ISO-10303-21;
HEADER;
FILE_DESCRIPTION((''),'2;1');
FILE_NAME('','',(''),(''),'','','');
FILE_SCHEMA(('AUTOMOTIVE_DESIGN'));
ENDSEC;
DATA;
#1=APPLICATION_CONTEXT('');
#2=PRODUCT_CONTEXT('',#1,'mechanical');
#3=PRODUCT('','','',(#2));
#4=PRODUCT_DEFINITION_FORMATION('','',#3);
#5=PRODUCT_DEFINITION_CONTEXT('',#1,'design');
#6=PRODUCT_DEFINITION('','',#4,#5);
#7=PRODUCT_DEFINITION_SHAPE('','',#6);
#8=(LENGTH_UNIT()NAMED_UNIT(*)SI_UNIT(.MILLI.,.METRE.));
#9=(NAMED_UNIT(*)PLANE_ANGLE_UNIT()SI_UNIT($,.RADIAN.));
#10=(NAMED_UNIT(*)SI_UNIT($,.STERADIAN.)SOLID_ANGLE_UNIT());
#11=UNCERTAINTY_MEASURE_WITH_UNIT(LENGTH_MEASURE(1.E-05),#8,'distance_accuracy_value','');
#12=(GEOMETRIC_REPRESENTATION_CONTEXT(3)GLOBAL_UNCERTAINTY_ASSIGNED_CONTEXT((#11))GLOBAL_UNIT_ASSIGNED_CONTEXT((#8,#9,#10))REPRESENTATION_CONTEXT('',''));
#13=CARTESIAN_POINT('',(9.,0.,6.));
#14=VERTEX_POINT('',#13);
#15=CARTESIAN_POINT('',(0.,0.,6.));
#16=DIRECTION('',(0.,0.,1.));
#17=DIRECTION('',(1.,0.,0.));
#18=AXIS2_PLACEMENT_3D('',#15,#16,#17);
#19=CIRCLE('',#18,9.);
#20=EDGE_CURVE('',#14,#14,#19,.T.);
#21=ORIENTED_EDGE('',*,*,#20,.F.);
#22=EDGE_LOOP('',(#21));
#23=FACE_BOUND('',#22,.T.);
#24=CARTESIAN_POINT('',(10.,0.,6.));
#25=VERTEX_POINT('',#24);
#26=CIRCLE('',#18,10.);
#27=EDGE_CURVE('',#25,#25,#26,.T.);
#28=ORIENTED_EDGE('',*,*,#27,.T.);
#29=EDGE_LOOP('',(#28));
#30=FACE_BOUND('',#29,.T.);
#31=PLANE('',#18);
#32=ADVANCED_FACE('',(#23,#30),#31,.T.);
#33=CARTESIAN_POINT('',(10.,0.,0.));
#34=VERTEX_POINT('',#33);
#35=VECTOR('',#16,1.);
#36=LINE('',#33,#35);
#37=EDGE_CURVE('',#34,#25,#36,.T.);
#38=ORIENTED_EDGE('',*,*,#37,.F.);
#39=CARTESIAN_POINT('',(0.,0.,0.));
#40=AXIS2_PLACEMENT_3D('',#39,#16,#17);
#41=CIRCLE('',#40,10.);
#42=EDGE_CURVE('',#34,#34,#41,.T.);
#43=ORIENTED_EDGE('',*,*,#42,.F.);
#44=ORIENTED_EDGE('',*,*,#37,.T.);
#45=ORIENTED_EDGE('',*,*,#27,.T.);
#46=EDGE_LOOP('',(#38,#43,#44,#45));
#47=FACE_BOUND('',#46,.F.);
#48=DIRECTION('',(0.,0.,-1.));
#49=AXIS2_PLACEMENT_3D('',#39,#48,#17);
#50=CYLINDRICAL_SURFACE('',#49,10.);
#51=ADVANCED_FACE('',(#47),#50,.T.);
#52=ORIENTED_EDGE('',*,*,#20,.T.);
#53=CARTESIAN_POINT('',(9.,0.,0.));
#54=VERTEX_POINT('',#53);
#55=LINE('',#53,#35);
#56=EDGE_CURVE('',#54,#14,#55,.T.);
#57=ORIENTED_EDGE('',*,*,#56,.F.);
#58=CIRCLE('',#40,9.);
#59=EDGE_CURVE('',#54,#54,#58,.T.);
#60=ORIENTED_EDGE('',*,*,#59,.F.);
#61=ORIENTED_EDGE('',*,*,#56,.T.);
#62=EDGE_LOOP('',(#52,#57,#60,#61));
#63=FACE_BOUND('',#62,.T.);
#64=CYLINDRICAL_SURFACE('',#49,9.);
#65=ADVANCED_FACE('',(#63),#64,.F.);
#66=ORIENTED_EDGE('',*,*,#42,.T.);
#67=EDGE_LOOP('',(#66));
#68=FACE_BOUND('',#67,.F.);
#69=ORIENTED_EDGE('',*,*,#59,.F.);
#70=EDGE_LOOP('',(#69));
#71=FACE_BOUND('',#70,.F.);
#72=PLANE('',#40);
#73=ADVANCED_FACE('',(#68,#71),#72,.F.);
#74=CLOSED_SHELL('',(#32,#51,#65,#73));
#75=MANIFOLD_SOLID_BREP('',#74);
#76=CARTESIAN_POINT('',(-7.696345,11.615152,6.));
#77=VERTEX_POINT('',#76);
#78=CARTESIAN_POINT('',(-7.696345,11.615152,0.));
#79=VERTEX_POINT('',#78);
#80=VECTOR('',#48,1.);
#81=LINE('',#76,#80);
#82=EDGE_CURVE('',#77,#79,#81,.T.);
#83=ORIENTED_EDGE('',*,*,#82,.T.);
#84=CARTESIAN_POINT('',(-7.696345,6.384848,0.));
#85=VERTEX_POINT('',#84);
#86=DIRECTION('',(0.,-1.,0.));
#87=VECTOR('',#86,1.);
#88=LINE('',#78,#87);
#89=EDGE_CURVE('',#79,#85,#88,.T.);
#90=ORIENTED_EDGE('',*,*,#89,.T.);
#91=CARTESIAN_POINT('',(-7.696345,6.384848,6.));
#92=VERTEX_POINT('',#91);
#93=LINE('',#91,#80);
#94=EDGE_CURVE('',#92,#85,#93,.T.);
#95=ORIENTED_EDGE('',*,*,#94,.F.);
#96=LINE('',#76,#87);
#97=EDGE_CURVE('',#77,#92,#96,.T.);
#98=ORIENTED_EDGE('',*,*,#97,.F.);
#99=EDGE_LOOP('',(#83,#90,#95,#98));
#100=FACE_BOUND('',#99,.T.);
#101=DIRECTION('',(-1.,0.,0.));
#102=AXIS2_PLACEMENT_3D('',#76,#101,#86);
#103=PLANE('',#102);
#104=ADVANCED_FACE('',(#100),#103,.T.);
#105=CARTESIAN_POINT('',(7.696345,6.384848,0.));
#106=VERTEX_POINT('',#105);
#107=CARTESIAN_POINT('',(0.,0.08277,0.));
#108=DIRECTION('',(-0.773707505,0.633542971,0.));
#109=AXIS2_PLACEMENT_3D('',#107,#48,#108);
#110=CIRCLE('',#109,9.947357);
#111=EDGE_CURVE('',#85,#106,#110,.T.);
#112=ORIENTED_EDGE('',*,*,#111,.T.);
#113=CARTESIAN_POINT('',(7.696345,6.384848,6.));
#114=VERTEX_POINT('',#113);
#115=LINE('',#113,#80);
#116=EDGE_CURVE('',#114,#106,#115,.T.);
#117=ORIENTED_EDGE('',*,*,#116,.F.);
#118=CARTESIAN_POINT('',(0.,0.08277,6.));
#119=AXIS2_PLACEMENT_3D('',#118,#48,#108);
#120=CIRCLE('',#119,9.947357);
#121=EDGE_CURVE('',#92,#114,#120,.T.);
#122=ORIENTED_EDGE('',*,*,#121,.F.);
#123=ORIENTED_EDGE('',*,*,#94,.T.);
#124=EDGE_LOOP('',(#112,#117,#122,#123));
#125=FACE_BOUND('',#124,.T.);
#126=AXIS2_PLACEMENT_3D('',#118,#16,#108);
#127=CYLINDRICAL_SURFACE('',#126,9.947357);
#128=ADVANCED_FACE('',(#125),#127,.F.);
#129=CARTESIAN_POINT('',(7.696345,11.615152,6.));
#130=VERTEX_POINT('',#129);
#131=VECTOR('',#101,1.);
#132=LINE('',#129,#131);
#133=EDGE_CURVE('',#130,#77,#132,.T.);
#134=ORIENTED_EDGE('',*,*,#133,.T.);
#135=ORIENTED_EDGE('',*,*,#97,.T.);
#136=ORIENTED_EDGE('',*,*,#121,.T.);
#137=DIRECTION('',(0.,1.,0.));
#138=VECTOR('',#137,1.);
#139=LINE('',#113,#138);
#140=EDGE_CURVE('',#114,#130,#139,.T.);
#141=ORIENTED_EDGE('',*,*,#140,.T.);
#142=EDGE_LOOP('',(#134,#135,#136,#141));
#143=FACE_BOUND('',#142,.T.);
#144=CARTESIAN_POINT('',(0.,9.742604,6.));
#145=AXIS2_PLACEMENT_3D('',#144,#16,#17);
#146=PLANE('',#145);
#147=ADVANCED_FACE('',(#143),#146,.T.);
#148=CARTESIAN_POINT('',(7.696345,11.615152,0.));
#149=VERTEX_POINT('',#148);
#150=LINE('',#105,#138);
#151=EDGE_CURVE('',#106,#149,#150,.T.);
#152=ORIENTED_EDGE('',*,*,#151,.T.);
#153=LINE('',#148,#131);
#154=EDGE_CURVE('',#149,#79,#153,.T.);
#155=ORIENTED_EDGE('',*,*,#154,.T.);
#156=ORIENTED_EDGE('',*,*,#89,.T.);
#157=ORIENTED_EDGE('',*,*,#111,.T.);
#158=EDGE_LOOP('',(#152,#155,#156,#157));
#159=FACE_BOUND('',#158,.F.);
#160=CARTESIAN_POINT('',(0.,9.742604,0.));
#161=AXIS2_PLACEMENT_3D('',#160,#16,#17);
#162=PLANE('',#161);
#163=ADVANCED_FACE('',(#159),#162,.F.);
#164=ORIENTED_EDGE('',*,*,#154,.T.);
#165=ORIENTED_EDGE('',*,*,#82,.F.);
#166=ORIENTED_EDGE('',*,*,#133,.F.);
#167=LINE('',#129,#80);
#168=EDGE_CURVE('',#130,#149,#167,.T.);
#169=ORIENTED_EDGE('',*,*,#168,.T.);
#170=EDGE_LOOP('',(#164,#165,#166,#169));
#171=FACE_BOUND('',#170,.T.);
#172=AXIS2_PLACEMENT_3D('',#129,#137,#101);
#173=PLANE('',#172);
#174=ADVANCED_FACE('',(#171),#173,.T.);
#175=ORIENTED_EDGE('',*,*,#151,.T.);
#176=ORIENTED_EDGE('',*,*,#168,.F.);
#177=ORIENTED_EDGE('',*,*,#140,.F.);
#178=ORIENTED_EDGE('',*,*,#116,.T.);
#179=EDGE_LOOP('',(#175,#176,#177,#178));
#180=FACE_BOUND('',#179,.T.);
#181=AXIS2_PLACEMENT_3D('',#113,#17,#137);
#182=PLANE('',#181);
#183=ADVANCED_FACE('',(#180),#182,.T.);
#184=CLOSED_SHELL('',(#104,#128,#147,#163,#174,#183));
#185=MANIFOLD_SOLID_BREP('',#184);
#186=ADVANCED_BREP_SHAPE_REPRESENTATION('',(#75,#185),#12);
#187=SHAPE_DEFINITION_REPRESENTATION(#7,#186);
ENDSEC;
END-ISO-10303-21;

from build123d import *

# Parameters (mm, degrees)
F0_R     = 10
F0_R_2   = 9
F1_DEPTH = 6
F3_DEPTH = 6


with BuildPart() as f1:
    # F0 (on Top) → F1 (new body)
    with BuildSketch(Plane.XY):
        Circle(F0_R)
        Circle(F0_R_2, mode=Mode.SUBTRACT)
    extrude(amount=F1_DEPTH)


with BuildPart() as f3:
    # F2 (on face) → F3 (new body)
    with BuildSketch(Plane.XY.offset(6)):
        with BuildLine():
            Line((7.696345, 6.384848), (7.696345, 11.615152))
            Line((7.696345, 11.615152), (-7.696345, 11.615152))
            Line((-7.696345, 11.615152), (-7.696345, 6.384848))
            ThreePointArc((-7.696345, 6.384848), (0, 10.030127), (7.696345, 6.384848))
        make_face()
    extrude(amount=-F3_DEPTH)


solid = Compound([f1.part, f3.part])
